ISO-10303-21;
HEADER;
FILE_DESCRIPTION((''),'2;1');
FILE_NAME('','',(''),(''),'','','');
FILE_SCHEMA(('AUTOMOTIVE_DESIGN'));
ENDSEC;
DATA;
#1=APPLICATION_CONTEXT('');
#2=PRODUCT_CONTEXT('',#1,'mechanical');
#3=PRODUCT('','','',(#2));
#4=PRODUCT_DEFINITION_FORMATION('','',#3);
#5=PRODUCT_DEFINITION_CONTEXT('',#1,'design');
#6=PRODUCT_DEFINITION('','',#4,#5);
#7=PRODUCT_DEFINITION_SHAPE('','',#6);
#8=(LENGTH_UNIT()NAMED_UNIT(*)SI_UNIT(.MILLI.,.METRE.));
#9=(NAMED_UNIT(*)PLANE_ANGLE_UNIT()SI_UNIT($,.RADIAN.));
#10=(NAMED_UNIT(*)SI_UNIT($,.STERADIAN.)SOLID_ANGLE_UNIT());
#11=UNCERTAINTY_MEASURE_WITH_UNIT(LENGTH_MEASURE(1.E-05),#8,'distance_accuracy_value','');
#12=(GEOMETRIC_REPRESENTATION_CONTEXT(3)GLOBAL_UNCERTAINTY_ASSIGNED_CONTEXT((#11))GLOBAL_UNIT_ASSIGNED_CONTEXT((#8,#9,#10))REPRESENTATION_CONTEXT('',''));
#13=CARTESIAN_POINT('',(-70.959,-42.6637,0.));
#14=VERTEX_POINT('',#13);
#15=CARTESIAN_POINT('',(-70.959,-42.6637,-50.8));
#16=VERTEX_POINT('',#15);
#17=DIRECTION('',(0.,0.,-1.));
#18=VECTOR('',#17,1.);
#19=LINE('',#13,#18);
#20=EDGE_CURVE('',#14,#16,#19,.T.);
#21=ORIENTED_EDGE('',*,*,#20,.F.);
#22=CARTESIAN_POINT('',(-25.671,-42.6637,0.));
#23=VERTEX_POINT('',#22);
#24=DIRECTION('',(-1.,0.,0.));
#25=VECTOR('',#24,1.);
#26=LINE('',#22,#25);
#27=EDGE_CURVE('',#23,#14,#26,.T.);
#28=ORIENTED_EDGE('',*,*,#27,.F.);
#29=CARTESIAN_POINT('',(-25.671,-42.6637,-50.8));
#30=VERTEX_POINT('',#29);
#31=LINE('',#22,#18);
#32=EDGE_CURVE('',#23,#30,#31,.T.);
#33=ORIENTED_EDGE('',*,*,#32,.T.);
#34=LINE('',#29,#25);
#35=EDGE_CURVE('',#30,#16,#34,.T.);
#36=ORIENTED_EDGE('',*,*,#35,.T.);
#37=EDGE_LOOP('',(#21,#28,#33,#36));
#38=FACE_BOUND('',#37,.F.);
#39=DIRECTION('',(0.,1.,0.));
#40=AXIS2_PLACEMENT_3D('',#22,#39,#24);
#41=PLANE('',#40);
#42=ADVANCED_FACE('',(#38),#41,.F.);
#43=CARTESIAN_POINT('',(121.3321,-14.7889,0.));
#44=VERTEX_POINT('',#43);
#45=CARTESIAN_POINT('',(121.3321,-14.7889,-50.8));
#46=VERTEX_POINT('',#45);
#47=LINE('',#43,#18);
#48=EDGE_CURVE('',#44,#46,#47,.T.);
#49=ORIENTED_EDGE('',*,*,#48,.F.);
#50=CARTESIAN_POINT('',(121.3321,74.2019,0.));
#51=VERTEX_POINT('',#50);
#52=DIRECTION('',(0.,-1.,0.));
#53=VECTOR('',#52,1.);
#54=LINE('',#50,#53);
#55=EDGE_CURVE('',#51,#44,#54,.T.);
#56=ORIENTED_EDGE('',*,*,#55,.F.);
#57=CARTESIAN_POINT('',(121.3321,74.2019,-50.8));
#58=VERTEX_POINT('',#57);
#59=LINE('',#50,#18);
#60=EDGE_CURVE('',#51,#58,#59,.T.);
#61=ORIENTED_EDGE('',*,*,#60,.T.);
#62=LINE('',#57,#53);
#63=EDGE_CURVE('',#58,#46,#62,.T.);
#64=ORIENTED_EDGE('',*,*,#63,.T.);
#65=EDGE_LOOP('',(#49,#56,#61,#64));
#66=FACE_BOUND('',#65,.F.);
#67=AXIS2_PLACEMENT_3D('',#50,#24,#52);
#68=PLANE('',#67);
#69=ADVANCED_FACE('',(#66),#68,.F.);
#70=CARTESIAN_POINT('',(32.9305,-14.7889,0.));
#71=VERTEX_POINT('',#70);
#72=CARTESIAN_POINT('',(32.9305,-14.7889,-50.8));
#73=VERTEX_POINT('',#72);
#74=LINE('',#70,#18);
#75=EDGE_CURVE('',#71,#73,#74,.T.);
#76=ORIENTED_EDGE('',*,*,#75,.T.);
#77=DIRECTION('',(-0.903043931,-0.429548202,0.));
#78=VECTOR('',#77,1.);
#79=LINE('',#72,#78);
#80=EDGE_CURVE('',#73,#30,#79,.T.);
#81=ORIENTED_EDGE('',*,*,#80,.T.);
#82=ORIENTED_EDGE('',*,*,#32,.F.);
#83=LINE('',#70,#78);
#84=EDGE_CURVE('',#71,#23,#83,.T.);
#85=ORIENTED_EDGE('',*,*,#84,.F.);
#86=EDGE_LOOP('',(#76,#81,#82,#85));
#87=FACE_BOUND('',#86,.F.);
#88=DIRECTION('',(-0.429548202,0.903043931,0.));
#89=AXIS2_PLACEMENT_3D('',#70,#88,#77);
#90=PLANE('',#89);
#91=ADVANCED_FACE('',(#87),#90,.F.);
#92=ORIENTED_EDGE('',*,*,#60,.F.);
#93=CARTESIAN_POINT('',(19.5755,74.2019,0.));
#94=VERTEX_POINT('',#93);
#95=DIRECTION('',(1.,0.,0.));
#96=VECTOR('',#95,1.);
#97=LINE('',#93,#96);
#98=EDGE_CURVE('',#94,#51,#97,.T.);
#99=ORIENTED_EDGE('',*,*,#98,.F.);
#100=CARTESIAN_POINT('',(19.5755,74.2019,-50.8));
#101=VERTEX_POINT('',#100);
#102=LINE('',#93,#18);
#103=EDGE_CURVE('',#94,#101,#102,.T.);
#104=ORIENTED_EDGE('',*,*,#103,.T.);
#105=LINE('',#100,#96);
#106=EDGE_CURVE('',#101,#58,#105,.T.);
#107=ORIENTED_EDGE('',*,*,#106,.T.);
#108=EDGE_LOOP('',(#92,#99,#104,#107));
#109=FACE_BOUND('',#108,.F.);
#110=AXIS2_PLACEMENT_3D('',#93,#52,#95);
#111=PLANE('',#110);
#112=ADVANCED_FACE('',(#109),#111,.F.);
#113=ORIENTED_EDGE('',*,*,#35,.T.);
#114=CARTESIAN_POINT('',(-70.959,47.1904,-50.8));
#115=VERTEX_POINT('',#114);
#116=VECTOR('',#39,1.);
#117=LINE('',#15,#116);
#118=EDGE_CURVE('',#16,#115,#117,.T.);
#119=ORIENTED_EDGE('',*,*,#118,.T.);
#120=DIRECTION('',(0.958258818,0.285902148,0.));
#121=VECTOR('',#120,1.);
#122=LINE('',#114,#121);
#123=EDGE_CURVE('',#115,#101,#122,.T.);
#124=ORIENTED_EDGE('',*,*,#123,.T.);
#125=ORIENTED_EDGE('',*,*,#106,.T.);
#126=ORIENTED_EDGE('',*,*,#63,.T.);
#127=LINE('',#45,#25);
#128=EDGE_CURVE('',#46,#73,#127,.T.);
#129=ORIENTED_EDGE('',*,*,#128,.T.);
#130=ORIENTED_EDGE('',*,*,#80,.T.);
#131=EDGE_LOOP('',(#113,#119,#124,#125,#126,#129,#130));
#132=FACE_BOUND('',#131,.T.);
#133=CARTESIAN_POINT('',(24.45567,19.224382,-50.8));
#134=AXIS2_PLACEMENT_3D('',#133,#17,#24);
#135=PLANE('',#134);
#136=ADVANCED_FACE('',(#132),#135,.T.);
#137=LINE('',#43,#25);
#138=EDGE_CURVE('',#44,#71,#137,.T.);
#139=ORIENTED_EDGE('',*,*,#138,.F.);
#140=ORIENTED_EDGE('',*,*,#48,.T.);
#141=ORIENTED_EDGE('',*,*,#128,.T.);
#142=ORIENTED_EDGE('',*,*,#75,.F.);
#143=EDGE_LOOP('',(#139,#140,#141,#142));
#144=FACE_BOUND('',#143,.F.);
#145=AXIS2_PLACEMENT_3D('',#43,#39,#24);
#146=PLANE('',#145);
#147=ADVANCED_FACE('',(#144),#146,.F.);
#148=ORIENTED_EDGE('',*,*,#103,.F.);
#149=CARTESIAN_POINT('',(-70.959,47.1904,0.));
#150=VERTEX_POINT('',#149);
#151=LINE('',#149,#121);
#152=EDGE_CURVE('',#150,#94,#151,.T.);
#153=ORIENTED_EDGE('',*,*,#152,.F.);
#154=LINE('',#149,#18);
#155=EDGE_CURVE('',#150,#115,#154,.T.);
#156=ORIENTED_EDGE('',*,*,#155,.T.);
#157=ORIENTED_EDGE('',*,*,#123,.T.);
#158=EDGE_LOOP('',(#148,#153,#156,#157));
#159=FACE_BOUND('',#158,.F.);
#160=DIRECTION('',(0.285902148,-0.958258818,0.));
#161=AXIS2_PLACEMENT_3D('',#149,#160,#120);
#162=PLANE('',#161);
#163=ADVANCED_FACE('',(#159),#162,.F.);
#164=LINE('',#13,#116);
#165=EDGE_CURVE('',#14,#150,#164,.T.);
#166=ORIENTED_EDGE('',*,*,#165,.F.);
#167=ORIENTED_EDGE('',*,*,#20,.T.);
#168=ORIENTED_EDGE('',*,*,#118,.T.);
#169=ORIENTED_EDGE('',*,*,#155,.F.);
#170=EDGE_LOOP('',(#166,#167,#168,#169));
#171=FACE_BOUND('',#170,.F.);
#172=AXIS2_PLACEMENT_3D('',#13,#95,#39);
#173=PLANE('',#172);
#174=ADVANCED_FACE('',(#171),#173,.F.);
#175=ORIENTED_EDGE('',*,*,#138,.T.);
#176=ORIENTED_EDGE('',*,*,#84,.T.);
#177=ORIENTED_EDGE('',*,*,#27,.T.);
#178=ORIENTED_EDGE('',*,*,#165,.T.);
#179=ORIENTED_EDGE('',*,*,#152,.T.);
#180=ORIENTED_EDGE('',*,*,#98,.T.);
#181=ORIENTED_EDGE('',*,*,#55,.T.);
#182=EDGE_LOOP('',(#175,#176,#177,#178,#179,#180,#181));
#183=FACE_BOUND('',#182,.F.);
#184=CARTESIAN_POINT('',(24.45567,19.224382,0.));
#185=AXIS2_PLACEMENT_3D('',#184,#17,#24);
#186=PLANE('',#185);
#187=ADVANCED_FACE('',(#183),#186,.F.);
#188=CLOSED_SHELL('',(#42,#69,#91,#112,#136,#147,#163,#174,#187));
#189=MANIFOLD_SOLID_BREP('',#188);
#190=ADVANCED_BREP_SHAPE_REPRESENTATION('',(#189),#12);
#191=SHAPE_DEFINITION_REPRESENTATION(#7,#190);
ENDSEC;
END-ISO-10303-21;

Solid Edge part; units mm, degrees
sketch "Sketch1" plane through (0, 0, 0) normal (0, 0, 1) x (1, 0, 0)
  line L0 (-70.959, -42.6637) -> (-70.959, 47.1904)
  line L1 (-70.959, 47.1904) -> (19.5755, 74.2019)
  line L2 (19.5755, 74.2019) -> (121.3321, 74.2019)
  line L3 (121.3321, 74.2019) -> (121.3321, -14.7889)
  line L4 (121.3321, -14.7889) -> (32.9305, -14.7889)
  line L5 (32.9305, -14.7889) -> (-25.671, -42.6637)
  line L6 (-25.671, -42.6637) -> (-70.959, -42.6637)
extrude "Protrusion1" add sketch "Sketch1" against normal blind 50.8
